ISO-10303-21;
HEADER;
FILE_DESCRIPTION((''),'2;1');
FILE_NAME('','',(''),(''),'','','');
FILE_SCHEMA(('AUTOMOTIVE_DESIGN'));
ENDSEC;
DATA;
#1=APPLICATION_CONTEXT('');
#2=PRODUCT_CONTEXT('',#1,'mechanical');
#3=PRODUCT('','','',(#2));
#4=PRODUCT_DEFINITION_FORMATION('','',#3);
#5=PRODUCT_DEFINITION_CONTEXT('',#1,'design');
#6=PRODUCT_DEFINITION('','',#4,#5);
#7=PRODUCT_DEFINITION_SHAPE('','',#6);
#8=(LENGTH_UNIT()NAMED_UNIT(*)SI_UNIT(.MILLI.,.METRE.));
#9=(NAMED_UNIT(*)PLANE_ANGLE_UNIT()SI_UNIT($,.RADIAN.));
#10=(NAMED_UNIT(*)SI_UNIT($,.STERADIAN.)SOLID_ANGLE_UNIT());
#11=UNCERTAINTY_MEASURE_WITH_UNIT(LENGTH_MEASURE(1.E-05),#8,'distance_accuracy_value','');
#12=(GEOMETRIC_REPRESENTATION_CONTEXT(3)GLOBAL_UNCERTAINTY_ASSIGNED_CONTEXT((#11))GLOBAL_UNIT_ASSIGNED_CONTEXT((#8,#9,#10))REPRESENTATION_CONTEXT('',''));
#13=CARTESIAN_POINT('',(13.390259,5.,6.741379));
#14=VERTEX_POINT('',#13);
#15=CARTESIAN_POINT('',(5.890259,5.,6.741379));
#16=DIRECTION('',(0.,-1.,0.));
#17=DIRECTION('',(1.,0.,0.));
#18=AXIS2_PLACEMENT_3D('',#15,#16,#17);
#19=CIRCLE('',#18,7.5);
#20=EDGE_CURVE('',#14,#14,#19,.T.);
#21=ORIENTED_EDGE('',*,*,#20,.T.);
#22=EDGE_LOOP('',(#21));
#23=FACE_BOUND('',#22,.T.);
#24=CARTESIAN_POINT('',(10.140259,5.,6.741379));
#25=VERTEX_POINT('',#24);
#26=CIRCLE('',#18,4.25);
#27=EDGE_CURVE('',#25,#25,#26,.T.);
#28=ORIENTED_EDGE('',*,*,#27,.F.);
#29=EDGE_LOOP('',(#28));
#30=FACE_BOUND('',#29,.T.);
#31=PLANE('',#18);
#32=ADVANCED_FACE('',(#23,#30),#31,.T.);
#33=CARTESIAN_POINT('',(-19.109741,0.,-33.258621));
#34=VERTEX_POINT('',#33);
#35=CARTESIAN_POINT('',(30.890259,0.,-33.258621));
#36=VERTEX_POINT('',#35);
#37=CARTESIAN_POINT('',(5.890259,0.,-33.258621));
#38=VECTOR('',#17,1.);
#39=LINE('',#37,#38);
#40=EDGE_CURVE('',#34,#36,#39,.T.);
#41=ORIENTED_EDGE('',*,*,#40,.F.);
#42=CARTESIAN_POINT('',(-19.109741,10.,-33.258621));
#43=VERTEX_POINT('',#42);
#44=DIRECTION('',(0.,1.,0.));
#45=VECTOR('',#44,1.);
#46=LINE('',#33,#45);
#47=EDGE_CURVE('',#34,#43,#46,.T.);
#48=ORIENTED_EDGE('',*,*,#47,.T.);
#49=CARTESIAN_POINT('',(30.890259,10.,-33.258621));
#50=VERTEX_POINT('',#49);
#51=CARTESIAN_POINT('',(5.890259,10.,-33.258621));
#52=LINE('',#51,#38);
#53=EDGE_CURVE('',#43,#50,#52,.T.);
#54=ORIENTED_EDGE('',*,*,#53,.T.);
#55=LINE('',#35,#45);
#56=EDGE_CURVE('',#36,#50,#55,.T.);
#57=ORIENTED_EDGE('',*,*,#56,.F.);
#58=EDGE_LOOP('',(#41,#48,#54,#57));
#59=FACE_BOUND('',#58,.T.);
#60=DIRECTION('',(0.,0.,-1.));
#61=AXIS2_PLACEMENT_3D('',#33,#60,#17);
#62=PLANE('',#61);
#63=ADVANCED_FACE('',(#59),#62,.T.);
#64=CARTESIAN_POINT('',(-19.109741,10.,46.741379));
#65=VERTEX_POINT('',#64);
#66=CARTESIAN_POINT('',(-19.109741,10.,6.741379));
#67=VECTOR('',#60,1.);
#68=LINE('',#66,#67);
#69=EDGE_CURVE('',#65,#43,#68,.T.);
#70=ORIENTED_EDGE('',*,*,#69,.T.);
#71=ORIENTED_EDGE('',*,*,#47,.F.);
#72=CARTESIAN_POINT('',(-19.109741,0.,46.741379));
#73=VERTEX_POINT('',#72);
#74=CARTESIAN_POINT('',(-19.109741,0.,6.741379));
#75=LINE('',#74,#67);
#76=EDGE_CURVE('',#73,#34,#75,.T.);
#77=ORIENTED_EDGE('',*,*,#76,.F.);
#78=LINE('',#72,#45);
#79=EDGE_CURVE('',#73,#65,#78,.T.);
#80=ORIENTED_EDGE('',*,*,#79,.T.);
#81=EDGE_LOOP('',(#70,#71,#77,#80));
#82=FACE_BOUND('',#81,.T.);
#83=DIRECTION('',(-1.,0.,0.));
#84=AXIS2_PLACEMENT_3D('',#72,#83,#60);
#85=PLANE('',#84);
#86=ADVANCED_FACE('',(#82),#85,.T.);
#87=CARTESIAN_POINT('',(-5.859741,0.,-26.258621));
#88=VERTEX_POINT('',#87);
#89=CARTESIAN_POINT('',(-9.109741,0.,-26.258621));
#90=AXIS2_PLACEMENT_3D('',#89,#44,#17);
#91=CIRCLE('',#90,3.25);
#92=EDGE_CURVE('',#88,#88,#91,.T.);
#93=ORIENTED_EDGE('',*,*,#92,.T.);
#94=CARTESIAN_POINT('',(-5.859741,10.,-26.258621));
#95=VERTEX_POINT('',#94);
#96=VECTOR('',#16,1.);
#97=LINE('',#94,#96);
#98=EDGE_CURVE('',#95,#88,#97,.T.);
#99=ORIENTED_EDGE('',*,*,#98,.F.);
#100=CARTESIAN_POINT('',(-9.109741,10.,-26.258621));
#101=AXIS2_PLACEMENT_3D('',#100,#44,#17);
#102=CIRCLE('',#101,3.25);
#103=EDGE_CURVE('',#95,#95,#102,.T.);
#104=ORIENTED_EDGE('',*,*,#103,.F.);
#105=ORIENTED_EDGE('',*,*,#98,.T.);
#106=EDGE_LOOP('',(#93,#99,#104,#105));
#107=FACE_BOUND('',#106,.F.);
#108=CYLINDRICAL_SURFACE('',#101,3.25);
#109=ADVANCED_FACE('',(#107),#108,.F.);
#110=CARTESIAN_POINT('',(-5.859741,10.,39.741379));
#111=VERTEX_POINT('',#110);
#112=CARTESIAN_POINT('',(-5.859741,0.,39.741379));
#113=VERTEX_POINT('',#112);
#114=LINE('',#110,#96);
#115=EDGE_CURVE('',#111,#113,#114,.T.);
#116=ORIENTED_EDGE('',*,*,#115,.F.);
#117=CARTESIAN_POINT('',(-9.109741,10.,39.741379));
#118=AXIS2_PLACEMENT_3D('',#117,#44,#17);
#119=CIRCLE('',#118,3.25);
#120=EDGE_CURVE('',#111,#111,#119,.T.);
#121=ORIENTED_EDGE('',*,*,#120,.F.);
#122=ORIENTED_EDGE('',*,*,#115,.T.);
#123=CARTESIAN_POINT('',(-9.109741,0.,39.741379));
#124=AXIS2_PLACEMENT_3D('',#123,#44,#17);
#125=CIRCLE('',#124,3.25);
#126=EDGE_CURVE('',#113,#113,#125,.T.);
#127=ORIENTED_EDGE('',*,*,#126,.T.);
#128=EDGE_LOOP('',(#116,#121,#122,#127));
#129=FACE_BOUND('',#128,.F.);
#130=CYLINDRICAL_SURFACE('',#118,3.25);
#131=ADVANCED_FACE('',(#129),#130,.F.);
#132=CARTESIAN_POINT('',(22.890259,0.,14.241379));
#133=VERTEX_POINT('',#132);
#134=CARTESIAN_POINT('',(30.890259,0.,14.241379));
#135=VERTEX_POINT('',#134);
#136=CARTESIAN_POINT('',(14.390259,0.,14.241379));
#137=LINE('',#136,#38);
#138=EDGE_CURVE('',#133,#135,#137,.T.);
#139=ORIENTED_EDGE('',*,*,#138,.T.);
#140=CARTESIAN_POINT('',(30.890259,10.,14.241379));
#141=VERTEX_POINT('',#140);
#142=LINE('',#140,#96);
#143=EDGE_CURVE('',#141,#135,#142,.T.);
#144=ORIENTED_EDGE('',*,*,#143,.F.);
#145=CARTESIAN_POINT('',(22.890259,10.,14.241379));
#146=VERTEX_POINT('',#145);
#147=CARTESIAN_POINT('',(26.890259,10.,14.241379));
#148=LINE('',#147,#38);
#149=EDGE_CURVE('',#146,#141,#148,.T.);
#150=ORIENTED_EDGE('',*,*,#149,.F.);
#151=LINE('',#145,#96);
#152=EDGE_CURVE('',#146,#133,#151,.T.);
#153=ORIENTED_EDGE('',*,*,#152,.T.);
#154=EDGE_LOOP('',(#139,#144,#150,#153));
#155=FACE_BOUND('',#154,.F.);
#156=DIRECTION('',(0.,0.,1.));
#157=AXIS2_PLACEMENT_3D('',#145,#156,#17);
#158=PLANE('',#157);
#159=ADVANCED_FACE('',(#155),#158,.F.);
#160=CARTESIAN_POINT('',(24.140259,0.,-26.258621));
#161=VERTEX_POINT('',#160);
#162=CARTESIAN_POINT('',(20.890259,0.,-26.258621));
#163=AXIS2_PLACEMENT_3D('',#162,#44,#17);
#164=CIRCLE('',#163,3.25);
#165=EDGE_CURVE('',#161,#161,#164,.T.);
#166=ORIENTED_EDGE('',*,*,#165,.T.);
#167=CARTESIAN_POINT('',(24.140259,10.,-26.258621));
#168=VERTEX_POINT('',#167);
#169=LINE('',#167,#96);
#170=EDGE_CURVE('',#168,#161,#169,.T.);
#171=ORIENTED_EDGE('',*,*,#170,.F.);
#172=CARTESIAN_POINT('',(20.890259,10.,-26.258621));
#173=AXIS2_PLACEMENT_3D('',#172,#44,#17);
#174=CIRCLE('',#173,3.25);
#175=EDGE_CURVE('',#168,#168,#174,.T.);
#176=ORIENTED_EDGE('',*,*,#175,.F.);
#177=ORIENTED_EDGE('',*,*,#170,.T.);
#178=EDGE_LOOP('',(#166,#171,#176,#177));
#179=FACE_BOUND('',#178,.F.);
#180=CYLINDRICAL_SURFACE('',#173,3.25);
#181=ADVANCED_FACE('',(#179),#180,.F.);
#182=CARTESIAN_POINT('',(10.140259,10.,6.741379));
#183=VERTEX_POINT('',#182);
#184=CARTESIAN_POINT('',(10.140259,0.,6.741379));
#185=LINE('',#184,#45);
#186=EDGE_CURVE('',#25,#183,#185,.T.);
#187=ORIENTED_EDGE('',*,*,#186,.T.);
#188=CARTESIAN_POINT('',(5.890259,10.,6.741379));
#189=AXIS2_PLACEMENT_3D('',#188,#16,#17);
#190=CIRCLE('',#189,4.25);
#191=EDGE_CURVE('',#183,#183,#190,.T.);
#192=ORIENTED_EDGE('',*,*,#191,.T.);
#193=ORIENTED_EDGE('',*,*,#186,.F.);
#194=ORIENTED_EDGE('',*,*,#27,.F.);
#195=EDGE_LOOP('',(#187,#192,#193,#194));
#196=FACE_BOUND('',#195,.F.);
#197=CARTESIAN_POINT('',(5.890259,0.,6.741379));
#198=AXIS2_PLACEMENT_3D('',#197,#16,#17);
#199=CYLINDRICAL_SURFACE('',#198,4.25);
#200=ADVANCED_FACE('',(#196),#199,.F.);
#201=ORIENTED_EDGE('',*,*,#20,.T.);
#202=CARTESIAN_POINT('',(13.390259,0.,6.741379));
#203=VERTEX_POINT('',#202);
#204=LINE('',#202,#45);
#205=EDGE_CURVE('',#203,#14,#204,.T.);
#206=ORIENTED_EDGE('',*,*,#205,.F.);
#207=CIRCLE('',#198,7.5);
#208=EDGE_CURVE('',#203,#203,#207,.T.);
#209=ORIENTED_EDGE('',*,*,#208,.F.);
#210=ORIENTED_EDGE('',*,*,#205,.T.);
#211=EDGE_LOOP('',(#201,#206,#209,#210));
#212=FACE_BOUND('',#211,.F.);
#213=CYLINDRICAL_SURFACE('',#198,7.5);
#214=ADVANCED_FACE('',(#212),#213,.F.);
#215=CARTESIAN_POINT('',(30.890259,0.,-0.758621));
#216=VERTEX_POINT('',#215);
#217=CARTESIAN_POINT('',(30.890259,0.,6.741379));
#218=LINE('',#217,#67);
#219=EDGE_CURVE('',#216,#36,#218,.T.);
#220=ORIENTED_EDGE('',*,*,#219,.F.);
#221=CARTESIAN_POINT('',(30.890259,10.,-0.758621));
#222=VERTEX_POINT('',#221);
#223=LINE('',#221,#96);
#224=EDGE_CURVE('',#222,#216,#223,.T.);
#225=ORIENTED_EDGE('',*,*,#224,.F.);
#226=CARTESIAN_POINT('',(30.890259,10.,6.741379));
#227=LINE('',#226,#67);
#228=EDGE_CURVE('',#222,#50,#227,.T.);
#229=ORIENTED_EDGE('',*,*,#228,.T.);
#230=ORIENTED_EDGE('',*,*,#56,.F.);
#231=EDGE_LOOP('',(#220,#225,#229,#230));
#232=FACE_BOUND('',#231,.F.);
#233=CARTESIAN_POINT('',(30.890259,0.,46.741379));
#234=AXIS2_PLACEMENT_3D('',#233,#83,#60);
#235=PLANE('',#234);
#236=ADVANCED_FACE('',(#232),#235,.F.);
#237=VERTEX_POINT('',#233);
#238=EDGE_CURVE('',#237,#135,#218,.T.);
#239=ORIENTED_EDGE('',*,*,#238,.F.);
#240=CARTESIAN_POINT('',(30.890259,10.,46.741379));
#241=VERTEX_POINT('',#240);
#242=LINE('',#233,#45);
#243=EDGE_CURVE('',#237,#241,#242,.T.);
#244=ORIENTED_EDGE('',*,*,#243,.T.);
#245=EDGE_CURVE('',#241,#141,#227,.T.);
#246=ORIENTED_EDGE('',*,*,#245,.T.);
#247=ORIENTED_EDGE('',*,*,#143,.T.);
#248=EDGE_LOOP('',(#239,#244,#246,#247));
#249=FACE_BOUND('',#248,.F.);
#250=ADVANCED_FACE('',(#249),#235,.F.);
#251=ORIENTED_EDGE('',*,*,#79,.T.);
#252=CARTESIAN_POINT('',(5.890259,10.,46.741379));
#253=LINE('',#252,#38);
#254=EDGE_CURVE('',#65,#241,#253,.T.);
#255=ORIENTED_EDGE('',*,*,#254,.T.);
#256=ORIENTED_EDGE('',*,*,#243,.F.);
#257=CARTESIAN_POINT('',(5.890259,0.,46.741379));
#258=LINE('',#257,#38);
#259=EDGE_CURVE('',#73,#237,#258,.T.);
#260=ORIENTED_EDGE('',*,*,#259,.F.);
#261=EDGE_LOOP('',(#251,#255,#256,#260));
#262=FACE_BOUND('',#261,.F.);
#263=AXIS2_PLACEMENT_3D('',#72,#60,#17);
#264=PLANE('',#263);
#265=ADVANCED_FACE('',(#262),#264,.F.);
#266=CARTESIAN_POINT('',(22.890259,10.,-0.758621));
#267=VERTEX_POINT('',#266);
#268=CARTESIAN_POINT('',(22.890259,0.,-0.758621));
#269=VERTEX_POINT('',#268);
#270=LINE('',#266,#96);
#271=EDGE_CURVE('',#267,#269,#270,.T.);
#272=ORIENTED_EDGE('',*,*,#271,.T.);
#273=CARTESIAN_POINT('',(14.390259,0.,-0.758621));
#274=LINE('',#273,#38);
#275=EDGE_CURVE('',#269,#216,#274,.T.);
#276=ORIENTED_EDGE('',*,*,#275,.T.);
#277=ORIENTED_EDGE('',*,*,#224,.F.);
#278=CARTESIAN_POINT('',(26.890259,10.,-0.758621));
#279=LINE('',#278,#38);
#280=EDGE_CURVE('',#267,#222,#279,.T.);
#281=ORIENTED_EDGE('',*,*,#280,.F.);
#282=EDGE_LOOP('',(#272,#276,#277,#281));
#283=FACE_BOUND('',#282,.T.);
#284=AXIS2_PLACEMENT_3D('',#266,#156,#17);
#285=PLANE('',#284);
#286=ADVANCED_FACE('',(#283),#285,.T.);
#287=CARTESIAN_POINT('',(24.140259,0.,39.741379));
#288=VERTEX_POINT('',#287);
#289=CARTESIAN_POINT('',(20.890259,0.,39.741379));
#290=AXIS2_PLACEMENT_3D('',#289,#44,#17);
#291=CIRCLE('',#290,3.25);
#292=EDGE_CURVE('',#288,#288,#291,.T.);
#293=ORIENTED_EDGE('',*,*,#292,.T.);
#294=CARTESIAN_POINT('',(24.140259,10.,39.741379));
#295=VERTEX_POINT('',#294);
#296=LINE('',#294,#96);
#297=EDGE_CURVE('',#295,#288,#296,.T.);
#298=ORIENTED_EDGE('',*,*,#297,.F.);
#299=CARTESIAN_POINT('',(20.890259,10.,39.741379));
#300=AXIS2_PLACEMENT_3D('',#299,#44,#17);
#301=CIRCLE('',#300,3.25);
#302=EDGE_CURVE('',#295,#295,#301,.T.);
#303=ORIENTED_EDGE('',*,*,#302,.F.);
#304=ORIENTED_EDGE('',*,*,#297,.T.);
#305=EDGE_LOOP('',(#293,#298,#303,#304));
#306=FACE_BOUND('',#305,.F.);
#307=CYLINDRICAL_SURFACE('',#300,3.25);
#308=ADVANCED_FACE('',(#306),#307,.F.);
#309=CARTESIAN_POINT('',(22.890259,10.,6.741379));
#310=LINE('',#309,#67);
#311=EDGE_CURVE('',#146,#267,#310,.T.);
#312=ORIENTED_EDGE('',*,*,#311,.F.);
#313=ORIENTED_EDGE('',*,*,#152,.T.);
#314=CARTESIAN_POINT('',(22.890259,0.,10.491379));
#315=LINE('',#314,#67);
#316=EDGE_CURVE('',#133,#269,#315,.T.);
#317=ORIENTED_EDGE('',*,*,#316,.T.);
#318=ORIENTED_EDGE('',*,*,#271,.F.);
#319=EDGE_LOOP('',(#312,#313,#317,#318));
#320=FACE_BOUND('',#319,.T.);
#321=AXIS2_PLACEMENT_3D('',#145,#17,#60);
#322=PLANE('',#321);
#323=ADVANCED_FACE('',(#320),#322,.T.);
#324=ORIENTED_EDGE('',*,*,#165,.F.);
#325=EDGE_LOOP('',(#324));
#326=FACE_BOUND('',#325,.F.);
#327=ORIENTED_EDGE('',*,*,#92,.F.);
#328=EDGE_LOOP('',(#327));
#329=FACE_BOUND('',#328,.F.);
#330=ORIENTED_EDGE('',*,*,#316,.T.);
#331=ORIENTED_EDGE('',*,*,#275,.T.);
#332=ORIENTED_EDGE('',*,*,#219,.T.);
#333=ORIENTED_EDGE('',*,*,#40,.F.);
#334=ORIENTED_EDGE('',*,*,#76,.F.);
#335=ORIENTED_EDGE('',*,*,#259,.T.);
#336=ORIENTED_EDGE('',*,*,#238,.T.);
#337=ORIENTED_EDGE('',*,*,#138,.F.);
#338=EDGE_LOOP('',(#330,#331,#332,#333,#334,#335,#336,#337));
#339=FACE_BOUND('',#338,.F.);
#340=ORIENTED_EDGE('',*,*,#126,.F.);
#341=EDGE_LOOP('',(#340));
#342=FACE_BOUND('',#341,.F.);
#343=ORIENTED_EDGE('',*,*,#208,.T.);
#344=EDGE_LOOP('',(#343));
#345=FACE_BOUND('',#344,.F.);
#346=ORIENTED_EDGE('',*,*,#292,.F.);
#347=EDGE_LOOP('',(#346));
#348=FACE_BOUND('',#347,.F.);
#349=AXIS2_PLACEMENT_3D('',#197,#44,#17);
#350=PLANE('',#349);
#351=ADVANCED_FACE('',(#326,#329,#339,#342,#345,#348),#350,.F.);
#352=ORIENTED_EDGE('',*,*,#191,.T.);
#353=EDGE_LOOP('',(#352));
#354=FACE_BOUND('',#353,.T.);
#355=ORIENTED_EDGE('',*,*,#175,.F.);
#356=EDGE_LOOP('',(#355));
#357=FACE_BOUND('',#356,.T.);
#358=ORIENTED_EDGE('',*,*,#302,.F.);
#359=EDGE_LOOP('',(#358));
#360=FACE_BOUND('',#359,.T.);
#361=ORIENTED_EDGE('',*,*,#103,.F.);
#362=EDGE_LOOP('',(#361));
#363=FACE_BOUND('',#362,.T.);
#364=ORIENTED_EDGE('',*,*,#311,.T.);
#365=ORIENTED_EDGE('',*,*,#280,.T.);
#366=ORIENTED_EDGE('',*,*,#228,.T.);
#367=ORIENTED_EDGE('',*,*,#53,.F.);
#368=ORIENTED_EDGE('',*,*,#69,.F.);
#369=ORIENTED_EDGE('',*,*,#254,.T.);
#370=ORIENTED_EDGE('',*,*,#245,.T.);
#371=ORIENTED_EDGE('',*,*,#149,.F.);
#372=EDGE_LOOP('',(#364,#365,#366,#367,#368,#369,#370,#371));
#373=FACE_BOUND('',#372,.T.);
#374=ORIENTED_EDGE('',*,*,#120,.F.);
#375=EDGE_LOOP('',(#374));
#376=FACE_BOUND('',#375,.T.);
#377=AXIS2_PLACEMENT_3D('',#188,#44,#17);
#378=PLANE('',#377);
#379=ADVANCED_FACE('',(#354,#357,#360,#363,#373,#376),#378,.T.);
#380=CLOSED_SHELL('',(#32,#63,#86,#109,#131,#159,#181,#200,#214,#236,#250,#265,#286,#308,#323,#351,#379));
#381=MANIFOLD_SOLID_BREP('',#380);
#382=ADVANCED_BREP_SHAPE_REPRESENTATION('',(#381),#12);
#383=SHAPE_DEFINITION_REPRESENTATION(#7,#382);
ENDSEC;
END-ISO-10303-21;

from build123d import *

# Parameters (mm, degrees)
SKETCH1_W           = 50
SKETCH1_H           = 80
BOSS_EXTRUDE1_DEPTH = 10
CUT_EXTRUDE1_REACH  = 12
SKETCH2_R           = 4.25
CUT_EXTRUDE3_REACH  = 12
SKETCH5_R           = 3.25
SKETCH7_R           = 7.5
CUT_EXTRUDE4_DEPTH  = 5
SKETCH10_W          = 8
SKETCH10_H          = 15
CUT_EXTRUDE5_DEPTH  = 11


with BuildPart() as part:
    # Sketch1 → Boss-Extrude1 (new body)
    with BuildSketch(Plane(origin=(0, 0, 0), x_dir=(1, 0, 0), z_dir=(0, 1, 0))):
        with Locations((5.890258642, -6.741379093)):
            Rectangle(SKETCH1_W, SKETCH1_H)
    extrude(amount=BOSS_EXTRUDE1_DEPTH)

    # Sketch2 → Cut-Extrude1 (cut, up to next)
    with BuildSketch(Plane.XZ, mode=Mode.PRIVATE) as cut_extrude1_sk1:
        with Locations((5.890258642, 6.741379093)):
            Circle(SKETCH2_R)
    cut_extrude1_tool1 = extrude(cut_extrude1_sk1.sketch, amount=-CUT_EXTRUDE1_REACH, mode=Mode.PRIVATE) & part.part
    add(cut_extrude1_tool1.solids().sort_by_distance((5.890259, 0, 6.741379))[0], mode=Mode.SUBTRACT)

    # Sketch5 → Cut-Extrude3 (cut, up to next)
    with BuildSketch(Plane(origin=(0, 10, 0), x_dir=(1, 0, 0), z_dir=(0, 1, 0)), mode=Mode.PRIVATE) as cut_extrude3_sk1:
        with Locations((-9.109741358, -39.741379093)):
            Circle(SKETCH5_R)
    cut_extrude3_tool1 = extrude(cut_extrude3_sk1.sketch, amount=-CUT_EXTRUDE3_REACH, mode=Mode.PRIVATE) & part.part
    add(cut_extrude3_tool1.solids().sort_by_distance((-9.109741, 10, 39.741379))[0], mode=Mode.SUBTRACT)
    # Sketch5 → Cut-Extrude3 (cut, up to next)
    with BuildSketch(Plane(origin=(0, 10, 0), x_dir=(1, 0, 0), z_dir=(0, 1, 0)), mode=Mode.PRIVATE) as cut_extrude3_sk2:
        with Locations((20.890258642, -39.741379093)):
            Circle(SKETCH5_R)
    cut_extrude3_tool2 = extrude(cut_extrude3_sk2.sketch, amount=-CUT_EXTRUDE3_REACH, mode=Mode.PRIVATE) & part.part
    add(cut_extrude3_tool2.solids().sort_by_distance((20.890259, 10, 39.741379))[0], mode=Mode.SUBTRACT)
    # Sketch5 → Cut-Extrude3 (cut, up to next)
    with BuildSketch(Plane(origin=(0, 10, 0), x_dir=(1, 0, 0), z_dir=(0, 1, 0)), mode=Mode.PRIVATE) as cut_extrude3_sk3:
        with Locations((-9.109741358, 26.258620907)):
            Circle(SKETCH5_R)
    cut_extrude3_tool3 = extrude(cut_extrude3_sk3.sketch, amount=-CUT_EXTRUDE3_REACH, mode=Mode.PRIVATE) & part.part
    add(cut_extrude3_tool3.solids().sort_by_distance((-9.109741, 10, -26.258621))[0], mode=Mode.SUBTRACT)
    # Sketch5 → Cut-Extrude3 (cut, up to next)
    with BuildSketch(Plane(origin=(0, 10, 0), x_dir=(1, 0, 0), z_dir=(0, 1, 0)), mode=Mode.PRIVATE) as cut_extrude3_sk4:
        with Locations((20.890258642, 26.258620907)):
            Circle(SKETCH5_R)
    cut_extrude3_tool4 = extrude(cut_extrude3_sk4.sketch, amount=-CUT_EXTRUDE3_REACH, mode=Mode.PRIVATE) & part.part
    add(cut_extrude3_tool4.solids().sort_by_distance((20.890259, 10, -26.258621))[0], mode=Mode.SUBTRACT)

    # Sketch7 → Cut-Extrude4 (cut)
    with BuildSketch(Plane.XZ):
        with Locations((5.890258642, 6.741379093)):
            Circle(SKETCH7_R)
    extrude(amount=-CUT_EXTRUDE4_DEPTH, mode=Mode.SUBTRACT)

    # Sketch10 → Cut-Extrude5 (cut, through all)
    with BuildSketch(Plane(origin=(0, 10, 0), x_dir=(1, 0, 0), z_dir=(0, 1, 0))):
        with Locations((26.890258642, -6.741379093)):
            Rectangle(SKETCH10_W, SKETCH10_H)
    extrude(amount=-CUT_EXTRUDE5_DEPTH, mode=Mode.SUBTRACT)


solid = part.part
